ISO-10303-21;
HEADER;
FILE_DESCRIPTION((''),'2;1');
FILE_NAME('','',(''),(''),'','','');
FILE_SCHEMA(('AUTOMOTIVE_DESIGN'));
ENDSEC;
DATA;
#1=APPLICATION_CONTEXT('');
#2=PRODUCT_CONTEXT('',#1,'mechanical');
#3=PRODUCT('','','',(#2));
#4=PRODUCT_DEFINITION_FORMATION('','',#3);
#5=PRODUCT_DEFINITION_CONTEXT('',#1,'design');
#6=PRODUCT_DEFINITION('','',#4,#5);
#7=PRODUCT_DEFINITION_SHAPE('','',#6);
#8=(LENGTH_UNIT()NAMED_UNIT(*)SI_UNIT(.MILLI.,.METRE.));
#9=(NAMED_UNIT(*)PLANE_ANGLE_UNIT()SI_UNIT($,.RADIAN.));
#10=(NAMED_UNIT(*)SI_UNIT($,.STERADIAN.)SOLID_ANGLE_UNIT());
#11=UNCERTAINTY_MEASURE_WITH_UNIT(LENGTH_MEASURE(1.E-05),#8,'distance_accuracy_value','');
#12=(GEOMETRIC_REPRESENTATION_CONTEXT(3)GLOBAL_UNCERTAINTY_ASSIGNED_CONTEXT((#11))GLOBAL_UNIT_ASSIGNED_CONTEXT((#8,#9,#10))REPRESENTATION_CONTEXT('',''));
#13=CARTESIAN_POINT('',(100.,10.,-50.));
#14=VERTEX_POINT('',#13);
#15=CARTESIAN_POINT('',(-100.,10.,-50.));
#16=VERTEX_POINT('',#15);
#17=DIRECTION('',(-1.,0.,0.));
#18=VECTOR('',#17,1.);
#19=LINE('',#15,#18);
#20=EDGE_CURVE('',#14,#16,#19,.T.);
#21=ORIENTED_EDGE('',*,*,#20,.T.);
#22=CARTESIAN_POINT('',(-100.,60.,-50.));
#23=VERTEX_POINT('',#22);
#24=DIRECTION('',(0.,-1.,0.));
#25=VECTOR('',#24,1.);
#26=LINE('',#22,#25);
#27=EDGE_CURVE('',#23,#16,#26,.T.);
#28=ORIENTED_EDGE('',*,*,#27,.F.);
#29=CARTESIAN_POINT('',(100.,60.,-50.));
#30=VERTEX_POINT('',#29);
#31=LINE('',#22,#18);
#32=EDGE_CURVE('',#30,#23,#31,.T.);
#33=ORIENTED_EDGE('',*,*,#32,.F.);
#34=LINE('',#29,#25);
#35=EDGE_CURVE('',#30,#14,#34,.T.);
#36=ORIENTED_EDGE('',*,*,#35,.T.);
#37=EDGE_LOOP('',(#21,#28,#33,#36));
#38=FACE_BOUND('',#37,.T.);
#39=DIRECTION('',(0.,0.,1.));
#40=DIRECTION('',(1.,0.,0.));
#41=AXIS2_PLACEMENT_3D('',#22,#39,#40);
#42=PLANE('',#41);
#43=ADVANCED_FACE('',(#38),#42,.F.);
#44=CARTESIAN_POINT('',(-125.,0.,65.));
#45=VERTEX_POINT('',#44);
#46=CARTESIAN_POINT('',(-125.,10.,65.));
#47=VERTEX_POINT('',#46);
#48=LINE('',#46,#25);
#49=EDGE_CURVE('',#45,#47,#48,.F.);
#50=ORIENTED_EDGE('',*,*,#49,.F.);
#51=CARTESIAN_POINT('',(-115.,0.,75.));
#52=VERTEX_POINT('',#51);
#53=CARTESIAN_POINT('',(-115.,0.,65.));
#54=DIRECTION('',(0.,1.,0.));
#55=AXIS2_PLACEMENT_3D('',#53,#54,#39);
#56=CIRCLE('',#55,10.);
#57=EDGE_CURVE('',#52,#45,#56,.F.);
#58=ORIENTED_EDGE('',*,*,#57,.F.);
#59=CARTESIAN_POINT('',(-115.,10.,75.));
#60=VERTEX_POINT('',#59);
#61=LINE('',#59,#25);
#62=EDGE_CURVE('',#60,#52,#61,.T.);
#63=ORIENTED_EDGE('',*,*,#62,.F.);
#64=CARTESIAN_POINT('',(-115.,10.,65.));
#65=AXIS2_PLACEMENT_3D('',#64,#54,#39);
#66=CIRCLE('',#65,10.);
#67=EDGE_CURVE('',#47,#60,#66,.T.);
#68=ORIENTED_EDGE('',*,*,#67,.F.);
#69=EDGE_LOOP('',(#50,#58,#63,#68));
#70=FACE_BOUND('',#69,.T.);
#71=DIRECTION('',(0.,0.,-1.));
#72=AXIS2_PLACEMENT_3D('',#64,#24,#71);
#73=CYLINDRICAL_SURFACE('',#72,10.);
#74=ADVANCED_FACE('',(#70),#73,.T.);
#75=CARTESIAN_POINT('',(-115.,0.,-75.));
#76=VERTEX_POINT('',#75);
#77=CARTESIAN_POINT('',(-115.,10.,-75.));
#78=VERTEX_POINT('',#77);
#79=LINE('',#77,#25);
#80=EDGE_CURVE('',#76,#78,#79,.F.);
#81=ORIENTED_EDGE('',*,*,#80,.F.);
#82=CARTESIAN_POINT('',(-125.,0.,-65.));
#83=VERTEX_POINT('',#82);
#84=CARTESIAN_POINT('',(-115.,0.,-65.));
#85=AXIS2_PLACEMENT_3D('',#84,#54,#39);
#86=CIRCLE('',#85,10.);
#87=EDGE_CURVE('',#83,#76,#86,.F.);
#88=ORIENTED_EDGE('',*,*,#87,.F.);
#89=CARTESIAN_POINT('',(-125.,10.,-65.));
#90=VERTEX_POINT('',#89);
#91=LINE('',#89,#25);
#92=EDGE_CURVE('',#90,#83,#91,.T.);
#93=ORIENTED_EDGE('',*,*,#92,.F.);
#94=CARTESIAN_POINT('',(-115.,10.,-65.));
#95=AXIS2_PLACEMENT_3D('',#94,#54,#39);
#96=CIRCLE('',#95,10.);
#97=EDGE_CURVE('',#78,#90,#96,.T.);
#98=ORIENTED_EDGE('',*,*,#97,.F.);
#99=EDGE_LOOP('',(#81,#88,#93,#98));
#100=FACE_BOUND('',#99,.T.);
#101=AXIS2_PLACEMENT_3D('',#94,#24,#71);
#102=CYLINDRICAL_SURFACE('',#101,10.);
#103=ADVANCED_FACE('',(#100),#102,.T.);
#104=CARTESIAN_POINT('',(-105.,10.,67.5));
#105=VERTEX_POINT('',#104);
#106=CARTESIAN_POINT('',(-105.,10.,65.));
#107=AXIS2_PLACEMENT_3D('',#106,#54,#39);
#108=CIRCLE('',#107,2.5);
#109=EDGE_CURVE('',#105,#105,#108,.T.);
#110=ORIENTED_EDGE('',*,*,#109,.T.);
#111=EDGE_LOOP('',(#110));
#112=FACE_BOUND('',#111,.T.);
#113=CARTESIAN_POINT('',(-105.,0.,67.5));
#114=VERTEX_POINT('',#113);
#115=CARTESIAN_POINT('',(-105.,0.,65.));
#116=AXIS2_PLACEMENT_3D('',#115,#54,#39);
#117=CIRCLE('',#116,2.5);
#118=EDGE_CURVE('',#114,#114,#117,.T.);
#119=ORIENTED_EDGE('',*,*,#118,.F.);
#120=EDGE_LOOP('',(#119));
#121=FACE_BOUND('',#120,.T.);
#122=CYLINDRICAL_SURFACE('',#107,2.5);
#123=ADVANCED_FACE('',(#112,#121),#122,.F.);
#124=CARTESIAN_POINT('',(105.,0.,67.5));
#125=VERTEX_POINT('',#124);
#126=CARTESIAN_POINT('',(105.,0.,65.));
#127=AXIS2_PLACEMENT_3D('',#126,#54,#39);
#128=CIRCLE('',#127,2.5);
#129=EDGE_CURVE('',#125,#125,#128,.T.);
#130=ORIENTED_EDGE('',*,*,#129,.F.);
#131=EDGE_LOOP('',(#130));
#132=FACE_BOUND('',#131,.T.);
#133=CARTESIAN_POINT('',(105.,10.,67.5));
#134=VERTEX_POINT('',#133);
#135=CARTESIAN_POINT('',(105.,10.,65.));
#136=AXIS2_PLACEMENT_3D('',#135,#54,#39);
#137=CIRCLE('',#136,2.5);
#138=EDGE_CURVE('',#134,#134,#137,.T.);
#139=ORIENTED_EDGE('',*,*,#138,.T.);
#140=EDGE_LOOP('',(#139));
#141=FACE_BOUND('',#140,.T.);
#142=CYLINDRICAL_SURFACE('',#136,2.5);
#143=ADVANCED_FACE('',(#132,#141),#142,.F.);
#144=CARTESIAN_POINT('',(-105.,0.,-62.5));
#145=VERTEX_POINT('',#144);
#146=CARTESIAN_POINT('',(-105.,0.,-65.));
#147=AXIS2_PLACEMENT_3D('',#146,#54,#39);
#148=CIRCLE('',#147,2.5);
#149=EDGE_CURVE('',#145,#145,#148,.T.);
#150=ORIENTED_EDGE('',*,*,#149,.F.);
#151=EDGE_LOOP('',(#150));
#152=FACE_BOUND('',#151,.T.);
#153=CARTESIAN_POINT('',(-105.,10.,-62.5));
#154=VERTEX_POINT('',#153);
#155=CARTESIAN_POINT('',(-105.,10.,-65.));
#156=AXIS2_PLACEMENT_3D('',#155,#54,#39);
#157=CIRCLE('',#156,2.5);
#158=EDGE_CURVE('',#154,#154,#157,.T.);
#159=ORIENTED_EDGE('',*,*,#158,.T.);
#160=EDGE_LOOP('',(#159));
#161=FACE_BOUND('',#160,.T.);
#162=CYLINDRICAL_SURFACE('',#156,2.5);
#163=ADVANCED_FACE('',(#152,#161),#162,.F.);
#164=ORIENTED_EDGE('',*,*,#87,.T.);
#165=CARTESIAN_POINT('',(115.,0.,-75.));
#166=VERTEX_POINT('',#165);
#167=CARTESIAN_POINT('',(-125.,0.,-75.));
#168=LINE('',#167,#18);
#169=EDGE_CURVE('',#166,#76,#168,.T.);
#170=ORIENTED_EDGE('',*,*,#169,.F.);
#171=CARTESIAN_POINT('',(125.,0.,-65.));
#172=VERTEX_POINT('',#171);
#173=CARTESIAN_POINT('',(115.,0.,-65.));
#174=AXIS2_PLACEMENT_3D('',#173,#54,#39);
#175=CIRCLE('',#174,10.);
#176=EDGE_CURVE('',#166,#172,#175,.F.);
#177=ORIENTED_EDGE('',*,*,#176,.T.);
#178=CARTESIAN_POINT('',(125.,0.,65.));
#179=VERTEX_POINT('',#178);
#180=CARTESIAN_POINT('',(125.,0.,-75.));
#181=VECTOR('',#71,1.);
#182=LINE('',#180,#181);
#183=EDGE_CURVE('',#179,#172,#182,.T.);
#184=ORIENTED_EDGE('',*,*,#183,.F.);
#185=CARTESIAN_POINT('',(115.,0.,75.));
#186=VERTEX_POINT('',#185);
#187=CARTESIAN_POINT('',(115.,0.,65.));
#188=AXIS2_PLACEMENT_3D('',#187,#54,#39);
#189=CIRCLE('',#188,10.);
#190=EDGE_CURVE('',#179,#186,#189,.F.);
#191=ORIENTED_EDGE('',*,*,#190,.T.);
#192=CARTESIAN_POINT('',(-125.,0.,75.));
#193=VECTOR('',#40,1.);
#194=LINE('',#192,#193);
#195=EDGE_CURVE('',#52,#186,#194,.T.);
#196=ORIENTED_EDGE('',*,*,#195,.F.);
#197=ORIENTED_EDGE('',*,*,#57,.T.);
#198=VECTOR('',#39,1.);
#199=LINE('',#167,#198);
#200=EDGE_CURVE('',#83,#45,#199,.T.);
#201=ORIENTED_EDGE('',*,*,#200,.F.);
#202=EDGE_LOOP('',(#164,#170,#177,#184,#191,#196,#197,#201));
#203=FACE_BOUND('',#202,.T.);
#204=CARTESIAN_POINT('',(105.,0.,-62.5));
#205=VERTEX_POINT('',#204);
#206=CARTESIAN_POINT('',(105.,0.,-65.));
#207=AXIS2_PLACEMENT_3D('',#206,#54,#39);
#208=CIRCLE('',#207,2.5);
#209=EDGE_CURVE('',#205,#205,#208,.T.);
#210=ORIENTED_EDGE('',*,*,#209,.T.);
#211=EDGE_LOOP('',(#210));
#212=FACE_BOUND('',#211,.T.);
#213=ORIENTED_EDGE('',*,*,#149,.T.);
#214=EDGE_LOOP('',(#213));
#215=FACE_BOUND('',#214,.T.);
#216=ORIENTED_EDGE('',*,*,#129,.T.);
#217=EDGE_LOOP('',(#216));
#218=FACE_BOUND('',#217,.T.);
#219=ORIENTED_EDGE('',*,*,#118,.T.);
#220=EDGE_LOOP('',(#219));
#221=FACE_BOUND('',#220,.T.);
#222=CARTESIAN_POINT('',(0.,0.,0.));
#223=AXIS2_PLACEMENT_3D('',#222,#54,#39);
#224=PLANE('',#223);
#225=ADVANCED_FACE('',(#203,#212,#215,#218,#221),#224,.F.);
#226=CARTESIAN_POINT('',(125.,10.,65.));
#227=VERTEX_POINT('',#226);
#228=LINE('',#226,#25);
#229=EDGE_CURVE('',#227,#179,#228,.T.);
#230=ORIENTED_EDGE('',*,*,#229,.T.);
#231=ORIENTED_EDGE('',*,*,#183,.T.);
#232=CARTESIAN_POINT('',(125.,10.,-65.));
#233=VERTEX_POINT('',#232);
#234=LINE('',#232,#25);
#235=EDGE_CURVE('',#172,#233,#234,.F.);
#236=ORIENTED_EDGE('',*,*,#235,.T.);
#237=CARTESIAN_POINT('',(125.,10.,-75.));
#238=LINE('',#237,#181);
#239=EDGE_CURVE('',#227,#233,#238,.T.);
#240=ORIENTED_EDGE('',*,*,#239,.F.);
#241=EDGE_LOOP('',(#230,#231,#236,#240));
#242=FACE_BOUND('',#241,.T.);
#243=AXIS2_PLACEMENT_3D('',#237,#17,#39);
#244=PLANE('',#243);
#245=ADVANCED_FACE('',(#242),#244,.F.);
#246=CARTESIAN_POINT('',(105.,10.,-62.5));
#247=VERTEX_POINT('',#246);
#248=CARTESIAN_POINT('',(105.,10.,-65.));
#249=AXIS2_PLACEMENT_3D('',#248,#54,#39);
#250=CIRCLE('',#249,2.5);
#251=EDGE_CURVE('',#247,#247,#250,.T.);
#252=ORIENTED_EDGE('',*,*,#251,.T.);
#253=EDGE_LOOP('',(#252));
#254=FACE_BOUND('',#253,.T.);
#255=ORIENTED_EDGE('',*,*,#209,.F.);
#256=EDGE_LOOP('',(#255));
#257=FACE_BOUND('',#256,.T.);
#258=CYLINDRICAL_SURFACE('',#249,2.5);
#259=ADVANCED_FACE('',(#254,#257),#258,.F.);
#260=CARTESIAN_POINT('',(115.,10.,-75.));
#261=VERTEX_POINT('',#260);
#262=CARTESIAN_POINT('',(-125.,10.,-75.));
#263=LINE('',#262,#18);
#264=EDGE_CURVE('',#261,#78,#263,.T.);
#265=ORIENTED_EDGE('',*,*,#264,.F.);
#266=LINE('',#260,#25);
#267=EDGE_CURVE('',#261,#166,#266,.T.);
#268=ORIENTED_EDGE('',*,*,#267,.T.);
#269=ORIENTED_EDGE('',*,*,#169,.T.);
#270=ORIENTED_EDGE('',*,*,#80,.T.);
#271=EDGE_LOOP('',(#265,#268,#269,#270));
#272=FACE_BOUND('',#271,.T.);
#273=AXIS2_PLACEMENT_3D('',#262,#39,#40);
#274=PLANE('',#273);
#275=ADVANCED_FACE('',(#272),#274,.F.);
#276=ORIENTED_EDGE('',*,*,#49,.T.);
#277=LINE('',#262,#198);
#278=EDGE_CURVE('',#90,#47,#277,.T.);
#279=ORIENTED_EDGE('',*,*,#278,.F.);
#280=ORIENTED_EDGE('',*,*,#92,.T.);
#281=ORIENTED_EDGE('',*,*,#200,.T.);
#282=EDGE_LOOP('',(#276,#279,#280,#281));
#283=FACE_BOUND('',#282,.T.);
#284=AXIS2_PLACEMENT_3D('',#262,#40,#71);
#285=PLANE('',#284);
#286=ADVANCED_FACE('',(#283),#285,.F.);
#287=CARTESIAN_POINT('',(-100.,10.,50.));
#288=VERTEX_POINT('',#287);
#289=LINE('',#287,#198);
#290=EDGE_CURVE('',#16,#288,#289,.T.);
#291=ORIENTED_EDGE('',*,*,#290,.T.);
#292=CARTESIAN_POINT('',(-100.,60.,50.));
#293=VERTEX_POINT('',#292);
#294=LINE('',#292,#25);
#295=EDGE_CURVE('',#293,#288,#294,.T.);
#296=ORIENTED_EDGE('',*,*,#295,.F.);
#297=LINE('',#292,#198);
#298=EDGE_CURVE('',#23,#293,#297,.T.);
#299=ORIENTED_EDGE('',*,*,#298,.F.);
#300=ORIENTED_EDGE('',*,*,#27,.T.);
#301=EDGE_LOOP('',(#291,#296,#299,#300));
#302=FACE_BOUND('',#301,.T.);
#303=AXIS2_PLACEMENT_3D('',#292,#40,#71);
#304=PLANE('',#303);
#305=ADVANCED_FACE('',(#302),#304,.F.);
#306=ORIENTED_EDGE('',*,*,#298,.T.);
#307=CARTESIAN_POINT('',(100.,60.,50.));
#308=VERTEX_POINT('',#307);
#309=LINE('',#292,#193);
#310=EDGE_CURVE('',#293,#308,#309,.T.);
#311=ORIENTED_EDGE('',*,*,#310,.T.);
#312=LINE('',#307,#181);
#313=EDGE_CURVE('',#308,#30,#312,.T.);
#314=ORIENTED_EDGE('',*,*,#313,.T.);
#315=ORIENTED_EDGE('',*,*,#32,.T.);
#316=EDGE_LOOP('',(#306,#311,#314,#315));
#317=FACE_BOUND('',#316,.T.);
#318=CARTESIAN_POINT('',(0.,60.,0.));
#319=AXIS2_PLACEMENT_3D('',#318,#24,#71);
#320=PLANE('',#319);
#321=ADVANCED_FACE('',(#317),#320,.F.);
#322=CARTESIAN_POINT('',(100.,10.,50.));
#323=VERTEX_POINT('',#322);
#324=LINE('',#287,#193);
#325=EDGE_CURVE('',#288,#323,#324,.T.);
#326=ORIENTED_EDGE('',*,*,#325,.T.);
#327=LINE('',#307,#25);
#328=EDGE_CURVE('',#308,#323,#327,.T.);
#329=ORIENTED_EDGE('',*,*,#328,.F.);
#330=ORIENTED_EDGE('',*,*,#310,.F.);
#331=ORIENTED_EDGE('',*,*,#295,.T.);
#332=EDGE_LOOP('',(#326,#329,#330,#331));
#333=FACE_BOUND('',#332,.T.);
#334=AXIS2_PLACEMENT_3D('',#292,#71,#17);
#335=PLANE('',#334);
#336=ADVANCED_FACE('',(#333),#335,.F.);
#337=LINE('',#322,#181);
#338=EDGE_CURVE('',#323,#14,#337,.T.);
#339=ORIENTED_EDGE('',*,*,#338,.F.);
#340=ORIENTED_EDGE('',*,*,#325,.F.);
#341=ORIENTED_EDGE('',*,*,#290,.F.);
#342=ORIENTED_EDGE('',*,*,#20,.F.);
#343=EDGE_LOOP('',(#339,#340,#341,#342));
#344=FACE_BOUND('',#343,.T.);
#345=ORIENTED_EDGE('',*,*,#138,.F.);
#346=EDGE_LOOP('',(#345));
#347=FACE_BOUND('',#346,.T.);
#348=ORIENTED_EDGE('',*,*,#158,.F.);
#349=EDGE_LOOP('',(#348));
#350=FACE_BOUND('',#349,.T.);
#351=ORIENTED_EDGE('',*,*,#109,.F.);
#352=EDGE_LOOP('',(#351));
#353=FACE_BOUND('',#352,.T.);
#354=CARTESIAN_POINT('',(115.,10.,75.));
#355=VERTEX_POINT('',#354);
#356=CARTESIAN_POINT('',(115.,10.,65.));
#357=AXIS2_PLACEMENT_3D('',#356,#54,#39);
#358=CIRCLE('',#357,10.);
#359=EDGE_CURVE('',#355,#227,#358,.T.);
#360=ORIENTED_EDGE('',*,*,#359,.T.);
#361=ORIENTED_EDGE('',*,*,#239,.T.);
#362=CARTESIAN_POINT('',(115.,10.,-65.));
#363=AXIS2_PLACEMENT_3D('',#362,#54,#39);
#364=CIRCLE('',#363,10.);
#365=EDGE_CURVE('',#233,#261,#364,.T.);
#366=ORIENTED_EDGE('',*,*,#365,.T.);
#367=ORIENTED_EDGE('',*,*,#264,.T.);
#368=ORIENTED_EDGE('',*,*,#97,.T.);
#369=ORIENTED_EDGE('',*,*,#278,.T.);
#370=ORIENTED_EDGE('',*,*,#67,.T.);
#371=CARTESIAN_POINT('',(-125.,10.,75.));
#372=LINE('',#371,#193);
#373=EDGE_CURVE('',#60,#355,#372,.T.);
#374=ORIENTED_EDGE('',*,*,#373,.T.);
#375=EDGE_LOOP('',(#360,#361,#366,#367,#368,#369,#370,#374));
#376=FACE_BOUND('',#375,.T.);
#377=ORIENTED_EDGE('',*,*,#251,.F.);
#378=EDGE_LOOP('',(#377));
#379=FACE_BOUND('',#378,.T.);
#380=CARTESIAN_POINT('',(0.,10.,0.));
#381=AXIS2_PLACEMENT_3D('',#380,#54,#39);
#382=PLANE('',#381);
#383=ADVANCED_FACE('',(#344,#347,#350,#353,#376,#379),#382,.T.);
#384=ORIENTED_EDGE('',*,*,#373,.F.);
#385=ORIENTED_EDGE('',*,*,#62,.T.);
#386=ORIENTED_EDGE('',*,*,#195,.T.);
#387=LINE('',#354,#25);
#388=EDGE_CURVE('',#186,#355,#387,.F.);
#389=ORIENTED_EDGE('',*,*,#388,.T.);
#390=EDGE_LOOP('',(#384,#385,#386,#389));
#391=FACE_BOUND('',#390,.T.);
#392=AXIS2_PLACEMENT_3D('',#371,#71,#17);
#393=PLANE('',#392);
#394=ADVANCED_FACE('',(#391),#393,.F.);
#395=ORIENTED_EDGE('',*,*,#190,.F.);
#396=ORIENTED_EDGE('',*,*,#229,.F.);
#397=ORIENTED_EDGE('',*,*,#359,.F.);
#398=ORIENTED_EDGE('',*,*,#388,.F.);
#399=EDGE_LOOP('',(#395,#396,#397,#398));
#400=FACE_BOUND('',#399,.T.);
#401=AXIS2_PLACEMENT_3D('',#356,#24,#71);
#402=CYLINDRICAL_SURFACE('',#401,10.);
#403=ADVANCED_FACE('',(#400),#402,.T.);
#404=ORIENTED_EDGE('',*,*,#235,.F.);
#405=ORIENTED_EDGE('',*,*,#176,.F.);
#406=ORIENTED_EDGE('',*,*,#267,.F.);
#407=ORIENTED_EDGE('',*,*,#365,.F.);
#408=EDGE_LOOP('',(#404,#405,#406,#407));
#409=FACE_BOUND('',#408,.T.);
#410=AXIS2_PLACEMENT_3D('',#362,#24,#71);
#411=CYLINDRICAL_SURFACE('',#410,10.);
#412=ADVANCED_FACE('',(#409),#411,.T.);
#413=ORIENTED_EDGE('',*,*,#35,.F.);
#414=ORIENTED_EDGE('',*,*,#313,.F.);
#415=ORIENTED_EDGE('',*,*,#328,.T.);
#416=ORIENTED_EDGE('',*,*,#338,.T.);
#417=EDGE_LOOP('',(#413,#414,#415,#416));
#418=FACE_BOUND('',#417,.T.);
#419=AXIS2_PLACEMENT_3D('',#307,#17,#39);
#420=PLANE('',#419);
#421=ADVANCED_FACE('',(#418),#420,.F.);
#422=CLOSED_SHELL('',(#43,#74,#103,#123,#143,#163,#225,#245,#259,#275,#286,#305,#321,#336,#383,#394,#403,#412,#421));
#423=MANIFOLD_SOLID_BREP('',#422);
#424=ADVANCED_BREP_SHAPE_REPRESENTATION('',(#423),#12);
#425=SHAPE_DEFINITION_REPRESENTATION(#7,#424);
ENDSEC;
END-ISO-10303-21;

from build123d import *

# Parameters (mm, degrees)
SKETCH_1_W             = 250
SKETCH_1_H             = 150
EXTRUDE_1_DEPTH        = 10
FILLET_1_R             = 10
SKETCH_2_W             = 200
SKETCH_2_H             = 100
EXTRUDE_2_DEPTH        = 50
HOLE_WIZARD_M6_1_D     = 5
HOLE_WIZARD_M6_1_DEPTH = 15
HOLE_WIZARD_M6_1_TIP   = 1.502151548


with BuildPart() as part:
    # 草图1 → 凸台-拉伸1 (new body)
    with BuildSketch(Plane(origin=(0, 0, 0), x_dir=(1, 0, 0), z_dir=(0, 1, 0))):
        Rectangle(SKETCH_1_W, SKETCH_1_H)
    extrude(amount=EXTRUDE_1_DEPTH)

    # 圆角1
    fillet_1_edges = [part.edges().sort_by_distance(p)[0] for p in [
        (125, 5, 75),
        (-125, 5, 75),
        (-125, 5, -75),
        (125, 5, -75),
    ]]
    fillet(fillet_1_edges, radius=FILLET_1_R)

    # 草图2 → 凸台-拉伸2 (add)
    with BuildSketch(Plane(origin=(0, 10, 0), x_dir=(1, 0, 0), z_dir=(0, 1, 0))):
        Rectangle(SKETCH_2_W, SKETCH_2_H)
    extrude(amount=EXTRUDE_2_DEPTH)

    # M6 螺纹孔1
    with Locations(Plane(origin=(0, 10, 0), x_dir=(1, 0, 0), z_dir=(0, 1, 0))):
        with Locations((-105, -65), (105, 65), (-105, 65), (105, -65)):
            Hole(HOLE_WIZARD_M6_1_D / 2, depth=HOLE_WIZARD_M6_1_DEPTH)
            with Locations((0, 0, -(HOLE_WIZARD_M6_1_DEPTH + HOLE_WIZARD_M6_1_TIP / 2))):  # 118° drill point
                Cone(0, HOLE_WIZARD_M6_1_D / 2, HOLE_WIZARD_M6_1_TIP, mode=Mode.SUBTRACT)


solid = part.part
